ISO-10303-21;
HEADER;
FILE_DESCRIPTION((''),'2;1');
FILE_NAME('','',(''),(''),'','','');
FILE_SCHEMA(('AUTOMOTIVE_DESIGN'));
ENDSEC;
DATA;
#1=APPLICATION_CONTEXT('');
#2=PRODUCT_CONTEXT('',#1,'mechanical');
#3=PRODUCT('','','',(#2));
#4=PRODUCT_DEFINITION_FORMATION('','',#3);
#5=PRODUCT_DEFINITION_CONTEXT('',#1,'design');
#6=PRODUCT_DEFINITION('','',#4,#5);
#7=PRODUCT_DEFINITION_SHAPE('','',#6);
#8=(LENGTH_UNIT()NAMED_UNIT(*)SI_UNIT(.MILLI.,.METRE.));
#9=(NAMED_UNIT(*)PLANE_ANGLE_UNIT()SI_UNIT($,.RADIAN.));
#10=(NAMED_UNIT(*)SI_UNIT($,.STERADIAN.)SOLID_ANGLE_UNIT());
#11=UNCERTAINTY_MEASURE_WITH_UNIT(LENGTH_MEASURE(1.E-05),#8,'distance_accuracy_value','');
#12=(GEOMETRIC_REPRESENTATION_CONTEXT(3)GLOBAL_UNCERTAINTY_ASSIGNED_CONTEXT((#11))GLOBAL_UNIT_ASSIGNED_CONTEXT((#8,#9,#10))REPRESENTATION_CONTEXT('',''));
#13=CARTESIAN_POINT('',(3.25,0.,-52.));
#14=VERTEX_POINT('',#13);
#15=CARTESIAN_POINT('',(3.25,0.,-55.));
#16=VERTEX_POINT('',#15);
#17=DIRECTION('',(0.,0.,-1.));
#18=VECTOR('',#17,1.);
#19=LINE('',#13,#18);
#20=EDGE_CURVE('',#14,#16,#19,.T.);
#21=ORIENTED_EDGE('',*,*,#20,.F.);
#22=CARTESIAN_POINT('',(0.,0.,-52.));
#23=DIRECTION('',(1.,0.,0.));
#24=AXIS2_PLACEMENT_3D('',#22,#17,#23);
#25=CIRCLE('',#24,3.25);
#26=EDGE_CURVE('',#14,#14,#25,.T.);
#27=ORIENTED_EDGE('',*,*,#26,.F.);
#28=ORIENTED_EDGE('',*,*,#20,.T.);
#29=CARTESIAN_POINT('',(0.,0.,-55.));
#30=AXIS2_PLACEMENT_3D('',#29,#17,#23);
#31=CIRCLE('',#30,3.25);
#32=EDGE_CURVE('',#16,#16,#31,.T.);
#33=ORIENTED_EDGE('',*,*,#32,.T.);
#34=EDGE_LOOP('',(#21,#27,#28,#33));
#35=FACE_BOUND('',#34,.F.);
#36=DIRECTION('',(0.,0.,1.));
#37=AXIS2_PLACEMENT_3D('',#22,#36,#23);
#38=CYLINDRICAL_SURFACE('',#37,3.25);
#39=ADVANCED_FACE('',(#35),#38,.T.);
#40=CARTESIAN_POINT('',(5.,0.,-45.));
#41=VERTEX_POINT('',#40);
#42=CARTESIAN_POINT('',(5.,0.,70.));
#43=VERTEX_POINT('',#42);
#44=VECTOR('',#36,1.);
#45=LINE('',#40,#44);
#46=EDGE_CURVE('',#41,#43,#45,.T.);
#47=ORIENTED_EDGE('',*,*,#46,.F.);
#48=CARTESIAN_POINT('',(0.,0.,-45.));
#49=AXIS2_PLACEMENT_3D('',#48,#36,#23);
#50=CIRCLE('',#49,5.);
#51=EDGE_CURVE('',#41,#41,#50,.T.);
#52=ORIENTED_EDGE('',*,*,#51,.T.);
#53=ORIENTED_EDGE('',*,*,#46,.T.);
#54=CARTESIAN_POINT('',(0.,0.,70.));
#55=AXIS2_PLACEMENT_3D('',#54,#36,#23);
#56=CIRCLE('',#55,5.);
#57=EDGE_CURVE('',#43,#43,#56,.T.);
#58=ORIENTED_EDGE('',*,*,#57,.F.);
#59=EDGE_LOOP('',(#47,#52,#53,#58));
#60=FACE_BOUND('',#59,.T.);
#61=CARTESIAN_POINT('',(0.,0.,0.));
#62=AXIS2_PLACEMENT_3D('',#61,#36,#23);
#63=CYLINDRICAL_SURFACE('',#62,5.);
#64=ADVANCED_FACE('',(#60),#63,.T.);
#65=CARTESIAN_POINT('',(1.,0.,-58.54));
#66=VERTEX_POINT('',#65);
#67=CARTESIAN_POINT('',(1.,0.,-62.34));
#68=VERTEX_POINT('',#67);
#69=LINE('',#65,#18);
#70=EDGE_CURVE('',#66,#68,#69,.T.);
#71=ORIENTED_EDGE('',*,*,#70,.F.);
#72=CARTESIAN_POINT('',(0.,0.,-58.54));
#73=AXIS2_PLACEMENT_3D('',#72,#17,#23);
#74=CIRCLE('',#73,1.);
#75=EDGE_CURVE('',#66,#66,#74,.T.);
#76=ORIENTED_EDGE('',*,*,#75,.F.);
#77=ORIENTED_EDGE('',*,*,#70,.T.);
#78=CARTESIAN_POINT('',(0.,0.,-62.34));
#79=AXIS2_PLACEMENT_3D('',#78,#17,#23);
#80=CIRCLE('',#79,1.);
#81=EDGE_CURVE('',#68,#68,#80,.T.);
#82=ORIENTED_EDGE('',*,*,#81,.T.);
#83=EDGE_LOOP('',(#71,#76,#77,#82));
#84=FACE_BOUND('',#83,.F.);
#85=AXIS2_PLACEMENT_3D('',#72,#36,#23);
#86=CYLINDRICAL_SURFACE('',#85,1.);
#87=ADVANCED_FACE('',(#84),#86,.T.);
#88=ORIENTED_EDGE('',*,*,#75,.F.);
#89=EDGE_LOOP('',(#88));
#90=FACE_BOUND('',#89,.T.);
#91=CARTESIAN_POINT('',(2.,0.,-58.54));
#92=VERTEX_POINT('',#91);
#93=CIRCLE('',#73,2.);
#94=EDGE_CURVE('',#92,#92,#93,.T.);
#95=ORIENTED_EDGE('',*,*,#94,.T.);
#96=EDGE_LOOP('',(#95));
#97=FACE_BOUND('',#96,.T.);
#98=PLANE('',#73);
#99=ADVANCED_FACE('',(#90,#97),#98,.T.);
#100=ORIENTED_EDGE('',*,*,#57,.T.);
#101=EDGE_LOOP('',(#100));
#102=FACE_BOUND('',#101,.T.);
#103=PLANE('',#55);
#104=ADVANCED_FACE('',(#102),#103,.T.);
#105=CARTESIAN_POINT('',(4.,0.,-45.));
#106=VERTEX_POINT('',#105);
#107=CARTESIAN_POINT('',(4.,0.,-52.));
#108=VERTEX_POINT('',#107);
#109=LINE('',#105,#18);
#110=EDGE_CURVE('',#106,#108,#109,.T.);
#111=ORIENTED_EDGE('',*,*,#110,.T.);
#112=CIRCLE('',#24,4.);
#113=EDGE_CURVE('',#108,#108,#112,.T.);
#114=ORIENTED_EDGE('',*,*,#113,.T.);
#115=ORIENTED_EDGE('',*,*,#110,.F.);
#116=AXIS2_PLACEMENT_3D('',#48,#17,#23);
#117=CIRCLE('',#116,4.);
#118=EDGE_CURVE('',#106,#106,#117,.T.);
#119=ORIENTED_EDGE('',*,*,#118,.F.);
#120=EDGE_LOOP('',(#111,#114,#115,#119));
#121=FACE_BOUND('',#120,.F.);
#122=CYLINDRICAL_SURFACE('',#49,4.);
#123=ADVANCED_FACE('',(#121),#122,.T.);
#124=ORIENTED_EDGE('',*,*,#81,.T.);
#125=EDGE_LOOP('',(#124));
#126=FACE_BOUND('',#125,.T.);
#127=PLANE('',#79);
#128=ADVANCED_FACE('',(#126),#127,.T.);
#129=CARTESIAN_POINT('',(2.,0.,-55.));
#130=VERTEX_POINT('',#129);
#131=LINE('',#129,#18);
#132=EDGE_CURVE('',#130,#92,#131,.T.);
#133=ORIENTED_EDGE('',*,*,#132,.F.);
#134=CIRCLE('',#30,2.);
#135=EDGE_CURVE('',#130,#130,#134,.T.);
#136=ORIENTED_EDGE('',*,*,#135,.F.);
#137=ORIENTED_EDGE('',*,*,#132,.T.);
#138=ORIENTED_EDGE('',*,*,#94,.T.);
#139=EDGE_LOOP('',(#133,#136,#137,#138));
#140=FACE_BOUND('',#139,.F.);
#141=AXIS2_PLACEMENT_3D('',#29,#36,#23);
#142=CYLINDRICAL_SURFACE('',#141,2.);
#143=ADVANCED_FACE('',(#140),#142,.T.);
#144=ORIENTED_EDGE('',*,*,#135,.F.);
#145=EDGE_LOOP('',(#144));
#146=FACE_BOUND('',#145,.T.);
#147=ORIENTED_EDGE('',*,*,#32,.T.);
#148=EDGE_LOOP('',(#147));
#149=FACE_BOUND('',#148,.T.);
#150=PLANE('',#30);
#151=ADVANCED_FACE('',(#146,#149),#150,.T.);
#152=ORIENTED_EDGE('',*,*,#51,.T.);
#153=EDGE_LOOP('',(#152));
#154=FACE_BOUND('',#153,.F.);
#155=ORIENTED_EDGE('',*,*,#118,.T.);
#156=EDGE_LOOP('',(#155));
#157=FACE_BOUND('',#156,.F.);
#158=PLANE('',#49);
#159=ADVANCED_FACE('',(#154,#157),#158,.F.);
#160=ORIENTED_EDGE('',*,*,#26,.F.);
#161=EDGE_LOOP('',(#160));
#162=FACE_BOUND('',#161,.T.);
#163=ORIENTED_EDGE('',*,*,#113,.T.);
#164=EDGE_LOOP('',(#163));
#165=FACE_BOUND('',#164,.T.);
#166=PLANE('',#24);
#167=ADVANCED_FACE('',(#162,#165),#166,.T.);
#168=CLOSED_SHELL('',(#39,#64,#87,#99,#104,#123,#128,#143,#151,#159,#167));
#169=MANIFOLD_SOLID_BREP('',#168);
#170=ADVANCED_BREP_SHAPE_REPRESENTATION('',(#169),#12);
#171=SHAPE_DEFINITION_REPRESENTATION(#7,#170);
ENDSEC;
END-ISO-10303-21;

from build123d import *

# Parameters (mm, degrees)
F0_R          = 5
F1_DEPTH      = 70
F1_DEPTH_BACK = 45
F2_R          = 4
F3_DEPTH      = 7
F4_R          = 3.25
F5_DEPTH      = 3
F6_R          = 2
F7_DEPTH      = 3.54
F8_R          = 1
F9_DEPTH      = 3.8


with BuildPart() as f1:
    # F0 (on Top) → F1 (new body, two sides)
    with BuildSketch(Plane.XY) as f1_sk:
        Circle(F0_R)
    extrude(amount=F1_DEPTH)
    extrude(f1_sk.sketch, amount=-F1_DEPTH_BACK)

    # F2 (on face) → F3 (join)
    with BuildSketch(Plane(origin=(0, 0, -45), x_dir=(1, 0, 0), z_dir=(0, 0, -1))):
        Circle(F2_R)
    extrude(amount=F3_DEPTH)

    # F4 (on face) → F5 (join)
    with BuildSketch(Plane(origin=(0, 0, -52), x_dir=(1, 0, 0), z_dir=(0, 0, -1))):
        Circle(F4_R)
    extrude(amount=F5_DEPTH)

    # F6 (on face) → F7 (join)
    with BuildSketch(Plane(origin=(0, 0, -55), x_dir=(1, 0, 0), z_dir=(0, 0, -1))):
        Circle(F6_R)
    extrude(amount=F7_DEPTH)

    # F8 (on face) → F9 (join)
    with BuildSketch(Plane(origin=(0, 0, -58.54), x_dir=(1, 0, 0), z_dir=(0, 0, -1))):
        Circle(F8_R)
    extrude(amount=F9_DEPTH)


solid = f1.part
